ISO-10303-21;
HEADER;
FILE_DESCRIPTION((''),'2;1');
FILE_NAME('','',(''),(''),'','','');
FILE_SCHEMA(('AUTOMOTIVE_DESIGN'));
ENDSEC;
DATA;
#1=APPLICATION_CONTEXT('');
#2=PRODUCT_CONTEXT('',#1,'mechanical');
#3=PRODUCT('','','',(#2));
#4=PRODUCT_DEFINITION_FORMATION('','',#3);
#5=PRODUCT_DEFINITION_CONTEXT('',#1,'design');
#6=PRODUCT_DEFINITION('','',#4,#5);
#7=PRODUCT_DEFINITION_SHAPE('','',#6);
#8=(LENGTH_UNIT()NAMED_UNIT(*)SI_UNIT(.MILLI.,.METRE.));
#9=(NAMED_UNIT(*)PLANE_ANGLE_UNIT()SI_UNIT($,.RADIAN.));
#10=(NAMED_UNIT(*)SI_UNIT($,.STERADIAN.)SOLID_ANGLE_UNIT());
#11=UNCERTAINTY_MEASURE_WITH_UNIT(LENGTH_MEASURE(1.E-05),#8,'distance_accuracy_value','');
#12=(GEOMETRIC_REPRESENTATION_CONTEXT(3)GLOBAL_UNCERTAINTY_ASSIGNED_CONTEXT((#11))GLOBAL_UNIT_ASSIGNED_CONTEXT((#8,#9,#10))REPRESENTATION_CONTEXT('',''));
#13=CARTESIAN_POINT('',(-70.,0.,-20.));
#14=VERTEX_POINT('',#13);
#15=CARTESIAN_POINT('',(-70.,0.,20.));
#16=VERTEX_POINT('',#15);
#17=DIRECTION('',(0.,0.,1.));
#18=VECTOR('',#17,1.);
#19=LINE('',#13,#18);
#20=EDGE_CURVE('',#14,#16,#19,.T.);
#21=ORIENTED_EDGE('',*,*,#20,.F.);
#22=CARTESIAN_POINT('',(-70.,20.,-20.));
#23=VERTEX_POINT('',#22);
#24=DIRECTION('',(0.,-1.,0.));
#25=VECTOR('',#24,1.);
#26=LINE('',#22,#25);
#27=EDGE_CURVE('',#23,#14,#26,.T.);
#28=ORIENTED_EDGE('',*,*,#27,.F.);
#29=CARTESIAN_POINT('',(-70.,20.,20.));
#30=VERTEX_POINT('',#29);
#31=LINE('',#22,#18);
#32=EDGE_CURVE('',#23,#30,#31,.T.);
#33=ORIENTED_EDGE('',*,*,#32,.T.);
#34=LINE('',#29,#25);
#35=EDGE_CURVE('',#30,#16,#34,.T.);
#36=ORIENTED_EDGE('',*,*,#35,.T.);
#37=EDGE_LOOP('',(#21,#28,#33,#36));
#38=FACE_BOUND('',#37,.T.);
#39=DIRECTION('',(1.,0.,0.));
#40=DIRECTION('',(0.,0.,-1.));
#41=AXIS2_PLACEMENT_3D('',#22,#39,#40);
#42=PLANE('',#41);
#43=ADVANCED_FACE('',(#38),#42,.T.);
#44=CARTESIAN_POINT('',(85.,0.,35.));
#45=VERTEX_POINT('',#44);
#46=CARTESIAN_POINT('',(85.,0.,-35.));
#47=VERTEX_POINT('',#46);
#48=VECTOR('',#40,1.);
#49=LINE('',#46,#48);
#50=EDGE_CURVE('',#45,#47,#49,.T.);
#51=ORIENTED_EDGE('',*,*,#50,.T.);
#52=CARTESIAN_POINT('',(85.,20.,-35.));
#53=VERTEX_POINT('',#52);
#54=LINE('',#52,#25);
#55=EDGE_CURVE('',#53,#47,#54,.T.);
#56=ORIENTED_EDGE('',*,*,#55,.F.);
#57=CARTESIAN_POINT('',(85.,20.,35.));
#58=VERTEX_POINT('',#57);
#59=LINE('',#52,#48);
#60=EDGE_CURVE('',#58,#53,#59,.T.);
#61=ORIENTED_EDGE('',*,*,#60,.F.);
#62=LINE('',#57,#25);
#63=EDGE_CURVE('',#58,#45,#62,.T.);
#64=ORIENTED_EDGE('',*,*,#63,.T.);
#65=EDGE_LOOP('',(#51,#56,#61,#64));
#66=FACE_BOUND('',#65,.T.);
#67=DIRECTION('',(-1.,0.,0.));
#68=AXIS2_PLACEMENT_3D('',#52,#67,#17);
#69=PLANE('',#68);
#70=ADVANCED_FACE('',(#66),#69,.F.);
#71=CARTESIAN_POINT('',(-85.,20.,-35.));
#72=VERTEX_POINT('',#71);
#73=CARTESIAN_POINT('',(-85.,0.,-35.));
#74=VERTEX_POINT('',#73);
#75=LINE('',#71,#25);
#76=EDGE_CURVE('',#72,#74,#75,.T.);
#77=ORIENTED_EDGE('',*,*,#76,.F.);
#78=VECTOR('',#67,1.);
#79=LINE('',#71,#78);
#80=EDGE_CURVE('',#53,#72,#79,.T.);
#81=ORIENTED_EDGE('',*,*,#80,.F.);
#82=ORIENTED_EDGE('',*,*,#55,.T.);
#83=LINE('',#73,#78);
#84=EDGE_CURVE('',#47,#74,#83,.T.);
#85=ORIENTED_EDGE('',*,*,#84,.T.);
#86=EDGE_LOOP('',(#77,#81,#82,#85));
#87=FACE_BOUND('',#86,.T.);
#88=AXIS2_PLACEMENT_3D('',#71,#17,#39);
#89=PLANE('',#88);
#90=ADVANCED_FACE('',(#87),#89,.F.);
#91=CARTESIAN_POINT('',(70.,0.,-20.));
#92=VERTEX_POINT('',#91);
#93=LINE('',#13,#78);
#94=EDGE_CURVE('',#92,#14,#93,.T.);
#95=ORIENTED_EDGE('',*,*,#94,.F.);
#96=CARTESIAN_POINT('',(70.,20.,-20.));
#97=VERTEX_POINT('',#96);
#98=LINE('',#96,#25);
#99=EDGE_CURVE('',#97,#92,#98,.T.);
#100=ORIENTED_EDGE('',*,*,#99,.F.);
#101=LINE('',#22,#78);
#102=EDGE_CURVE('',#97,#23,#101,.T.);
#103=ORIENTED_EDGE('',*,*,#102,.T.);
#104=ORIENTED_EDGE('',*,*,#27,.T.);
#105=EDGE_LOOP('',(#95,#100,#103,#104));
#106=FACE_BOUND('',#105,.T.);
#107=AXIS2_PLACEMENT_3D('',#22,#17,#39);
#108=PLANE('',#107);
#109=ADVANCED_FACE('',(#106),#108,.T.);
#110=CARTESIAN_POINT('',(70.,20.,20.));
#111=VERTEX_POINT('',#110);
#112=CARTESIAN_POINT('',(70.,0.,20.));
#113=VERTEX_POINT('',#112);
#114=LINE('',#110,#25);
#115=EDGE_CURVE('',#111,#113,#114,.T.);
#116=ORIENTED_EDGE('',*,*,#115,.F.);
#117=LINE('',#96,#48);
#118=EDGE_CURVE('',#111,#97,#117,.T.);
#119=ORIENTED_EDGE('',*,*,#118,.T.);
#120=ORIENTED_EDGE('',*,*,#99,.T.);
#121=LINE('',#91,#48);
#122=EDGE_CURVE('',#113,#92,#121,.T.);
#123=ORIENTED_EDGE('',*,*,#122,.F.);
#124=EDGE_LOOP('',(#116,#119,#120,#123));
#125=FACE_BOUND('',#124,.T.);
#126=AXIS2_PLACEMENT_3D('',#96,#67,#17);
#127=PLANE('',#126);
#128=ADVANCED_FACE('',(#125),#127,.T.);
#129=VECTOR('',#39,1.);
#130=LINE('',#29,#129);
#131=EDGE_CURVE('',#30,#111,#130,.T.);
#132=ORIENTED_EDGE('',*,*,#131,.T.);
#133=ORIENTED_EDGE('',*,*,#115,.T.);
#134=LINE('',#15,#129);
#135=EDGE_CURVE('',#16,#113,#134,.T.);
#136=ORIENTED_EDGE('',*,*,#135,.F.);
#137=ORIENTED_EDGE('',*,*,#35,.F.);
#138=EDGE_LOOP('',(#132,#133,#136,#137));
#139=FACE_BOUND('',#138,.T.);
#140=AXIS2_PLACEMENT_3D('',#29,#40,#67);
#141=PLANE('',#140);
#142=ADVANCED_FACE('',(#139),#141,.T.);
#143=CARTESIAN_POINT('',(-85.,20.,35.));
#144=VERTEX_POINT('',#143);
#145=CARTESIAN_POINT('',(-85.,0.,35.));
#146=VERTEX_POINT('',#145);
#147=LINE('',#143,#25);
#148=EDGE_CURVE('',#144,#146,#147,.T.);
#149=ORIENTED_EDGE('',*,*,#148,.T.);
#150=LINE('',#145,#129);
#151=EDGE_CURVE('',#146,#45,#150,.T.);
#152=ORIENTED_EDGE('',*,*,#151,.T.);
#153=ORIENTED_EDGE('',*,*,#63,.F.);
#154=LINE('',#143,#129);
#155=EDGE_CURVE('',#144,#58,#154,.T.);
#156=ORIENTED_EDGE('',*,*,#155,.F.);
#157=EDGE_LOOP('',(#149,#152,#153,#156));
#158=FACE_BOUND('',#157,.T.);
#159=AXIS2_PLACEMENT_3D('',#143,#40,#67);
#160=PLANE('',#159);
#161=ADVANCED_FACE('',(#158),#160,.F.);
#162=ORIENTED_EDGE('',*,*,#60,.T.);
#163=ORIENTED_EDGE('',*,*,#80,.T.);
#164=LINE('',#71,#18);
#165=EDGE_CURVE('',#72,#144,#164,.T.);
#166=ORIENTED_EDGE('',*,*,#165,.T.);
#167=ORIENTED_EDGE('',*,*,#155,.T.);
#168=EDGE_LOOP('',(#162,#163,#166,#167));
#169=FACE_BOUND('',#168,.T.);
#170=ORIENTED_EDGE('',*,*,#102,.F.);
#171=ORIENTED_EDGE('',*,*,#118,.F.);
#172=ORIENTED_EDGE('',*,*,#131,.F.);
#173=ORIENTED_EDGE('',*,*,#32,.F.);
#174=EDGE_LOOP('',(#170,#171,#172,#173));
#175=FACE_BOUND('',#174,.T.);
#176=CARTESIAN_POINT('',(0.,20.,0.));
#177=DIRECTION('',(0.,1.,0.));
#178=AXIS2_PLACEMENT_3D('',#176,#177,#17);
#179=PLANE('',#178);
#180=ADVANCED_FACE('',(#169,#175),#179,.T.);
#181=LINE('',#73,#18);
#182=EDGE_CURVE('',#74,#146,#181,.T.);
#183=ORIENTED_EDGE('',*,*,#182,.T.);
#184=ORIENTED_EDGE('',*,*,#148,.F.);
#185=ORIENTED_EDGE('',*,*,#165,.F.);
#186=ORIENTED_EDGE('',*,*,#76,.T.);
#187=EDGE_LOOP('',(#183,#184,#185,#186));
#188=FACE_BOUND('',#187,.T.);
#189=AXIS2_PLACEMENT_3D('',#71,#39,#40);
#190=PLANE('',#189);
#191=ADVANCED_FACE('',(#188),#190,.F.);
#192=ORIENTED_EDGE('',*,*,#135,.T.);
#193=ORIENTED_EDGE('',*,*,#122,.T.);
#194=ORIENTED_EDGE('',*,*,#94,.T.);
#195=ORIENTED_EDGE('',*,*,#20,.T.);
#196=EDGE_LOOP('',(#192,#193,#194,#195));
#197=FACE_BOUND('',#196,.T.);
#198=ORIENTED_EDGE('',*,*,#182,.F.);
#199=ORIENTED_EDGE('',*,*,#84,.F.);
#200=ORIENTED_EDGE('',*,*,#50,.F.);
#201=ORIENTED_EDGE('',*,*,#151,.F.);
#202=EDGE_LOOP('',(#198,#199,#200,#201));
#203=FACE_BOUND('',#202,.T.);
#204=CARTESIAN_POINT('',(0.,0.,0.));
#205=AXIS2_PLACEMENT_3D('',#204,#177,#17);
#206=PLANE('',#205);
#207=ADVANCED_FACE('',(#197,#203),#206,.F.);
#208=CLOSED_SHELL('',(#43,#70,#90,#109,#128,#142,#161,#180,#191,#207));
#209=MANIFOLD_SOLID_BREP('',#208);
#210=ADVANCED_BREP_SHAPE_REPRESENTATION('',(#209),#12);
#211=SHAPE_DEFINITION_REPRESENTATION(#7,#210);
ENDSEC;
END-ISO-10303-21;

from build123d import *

# Parameters (mm, degrees)
SKETCH1_W           = 170
SKETCH1_H           = 70
SKETCH1_W_2         = 140
SKETCH1_H_2         = 40
BOSS_EXTRUDE1_DEPTH = 20


with BuildPart() as part:
    # Sketch1 → Boss-Extrude1 (new body)
    with BuildSketch(Plane(origin=(0, 0, 0), x_dir=(1, 0, 0), z_dir=(0, 1, 0))):
        Rectangle(SKETCH1_W, SKETCH1_H)
        Rectangle(SKETCH1_W_2, SKETCH1_H_2, mode=Mode.SUBTRACT)
    extrude(amount=BOSS_EXTRUDE1_DEPTH)


solid = part.part
